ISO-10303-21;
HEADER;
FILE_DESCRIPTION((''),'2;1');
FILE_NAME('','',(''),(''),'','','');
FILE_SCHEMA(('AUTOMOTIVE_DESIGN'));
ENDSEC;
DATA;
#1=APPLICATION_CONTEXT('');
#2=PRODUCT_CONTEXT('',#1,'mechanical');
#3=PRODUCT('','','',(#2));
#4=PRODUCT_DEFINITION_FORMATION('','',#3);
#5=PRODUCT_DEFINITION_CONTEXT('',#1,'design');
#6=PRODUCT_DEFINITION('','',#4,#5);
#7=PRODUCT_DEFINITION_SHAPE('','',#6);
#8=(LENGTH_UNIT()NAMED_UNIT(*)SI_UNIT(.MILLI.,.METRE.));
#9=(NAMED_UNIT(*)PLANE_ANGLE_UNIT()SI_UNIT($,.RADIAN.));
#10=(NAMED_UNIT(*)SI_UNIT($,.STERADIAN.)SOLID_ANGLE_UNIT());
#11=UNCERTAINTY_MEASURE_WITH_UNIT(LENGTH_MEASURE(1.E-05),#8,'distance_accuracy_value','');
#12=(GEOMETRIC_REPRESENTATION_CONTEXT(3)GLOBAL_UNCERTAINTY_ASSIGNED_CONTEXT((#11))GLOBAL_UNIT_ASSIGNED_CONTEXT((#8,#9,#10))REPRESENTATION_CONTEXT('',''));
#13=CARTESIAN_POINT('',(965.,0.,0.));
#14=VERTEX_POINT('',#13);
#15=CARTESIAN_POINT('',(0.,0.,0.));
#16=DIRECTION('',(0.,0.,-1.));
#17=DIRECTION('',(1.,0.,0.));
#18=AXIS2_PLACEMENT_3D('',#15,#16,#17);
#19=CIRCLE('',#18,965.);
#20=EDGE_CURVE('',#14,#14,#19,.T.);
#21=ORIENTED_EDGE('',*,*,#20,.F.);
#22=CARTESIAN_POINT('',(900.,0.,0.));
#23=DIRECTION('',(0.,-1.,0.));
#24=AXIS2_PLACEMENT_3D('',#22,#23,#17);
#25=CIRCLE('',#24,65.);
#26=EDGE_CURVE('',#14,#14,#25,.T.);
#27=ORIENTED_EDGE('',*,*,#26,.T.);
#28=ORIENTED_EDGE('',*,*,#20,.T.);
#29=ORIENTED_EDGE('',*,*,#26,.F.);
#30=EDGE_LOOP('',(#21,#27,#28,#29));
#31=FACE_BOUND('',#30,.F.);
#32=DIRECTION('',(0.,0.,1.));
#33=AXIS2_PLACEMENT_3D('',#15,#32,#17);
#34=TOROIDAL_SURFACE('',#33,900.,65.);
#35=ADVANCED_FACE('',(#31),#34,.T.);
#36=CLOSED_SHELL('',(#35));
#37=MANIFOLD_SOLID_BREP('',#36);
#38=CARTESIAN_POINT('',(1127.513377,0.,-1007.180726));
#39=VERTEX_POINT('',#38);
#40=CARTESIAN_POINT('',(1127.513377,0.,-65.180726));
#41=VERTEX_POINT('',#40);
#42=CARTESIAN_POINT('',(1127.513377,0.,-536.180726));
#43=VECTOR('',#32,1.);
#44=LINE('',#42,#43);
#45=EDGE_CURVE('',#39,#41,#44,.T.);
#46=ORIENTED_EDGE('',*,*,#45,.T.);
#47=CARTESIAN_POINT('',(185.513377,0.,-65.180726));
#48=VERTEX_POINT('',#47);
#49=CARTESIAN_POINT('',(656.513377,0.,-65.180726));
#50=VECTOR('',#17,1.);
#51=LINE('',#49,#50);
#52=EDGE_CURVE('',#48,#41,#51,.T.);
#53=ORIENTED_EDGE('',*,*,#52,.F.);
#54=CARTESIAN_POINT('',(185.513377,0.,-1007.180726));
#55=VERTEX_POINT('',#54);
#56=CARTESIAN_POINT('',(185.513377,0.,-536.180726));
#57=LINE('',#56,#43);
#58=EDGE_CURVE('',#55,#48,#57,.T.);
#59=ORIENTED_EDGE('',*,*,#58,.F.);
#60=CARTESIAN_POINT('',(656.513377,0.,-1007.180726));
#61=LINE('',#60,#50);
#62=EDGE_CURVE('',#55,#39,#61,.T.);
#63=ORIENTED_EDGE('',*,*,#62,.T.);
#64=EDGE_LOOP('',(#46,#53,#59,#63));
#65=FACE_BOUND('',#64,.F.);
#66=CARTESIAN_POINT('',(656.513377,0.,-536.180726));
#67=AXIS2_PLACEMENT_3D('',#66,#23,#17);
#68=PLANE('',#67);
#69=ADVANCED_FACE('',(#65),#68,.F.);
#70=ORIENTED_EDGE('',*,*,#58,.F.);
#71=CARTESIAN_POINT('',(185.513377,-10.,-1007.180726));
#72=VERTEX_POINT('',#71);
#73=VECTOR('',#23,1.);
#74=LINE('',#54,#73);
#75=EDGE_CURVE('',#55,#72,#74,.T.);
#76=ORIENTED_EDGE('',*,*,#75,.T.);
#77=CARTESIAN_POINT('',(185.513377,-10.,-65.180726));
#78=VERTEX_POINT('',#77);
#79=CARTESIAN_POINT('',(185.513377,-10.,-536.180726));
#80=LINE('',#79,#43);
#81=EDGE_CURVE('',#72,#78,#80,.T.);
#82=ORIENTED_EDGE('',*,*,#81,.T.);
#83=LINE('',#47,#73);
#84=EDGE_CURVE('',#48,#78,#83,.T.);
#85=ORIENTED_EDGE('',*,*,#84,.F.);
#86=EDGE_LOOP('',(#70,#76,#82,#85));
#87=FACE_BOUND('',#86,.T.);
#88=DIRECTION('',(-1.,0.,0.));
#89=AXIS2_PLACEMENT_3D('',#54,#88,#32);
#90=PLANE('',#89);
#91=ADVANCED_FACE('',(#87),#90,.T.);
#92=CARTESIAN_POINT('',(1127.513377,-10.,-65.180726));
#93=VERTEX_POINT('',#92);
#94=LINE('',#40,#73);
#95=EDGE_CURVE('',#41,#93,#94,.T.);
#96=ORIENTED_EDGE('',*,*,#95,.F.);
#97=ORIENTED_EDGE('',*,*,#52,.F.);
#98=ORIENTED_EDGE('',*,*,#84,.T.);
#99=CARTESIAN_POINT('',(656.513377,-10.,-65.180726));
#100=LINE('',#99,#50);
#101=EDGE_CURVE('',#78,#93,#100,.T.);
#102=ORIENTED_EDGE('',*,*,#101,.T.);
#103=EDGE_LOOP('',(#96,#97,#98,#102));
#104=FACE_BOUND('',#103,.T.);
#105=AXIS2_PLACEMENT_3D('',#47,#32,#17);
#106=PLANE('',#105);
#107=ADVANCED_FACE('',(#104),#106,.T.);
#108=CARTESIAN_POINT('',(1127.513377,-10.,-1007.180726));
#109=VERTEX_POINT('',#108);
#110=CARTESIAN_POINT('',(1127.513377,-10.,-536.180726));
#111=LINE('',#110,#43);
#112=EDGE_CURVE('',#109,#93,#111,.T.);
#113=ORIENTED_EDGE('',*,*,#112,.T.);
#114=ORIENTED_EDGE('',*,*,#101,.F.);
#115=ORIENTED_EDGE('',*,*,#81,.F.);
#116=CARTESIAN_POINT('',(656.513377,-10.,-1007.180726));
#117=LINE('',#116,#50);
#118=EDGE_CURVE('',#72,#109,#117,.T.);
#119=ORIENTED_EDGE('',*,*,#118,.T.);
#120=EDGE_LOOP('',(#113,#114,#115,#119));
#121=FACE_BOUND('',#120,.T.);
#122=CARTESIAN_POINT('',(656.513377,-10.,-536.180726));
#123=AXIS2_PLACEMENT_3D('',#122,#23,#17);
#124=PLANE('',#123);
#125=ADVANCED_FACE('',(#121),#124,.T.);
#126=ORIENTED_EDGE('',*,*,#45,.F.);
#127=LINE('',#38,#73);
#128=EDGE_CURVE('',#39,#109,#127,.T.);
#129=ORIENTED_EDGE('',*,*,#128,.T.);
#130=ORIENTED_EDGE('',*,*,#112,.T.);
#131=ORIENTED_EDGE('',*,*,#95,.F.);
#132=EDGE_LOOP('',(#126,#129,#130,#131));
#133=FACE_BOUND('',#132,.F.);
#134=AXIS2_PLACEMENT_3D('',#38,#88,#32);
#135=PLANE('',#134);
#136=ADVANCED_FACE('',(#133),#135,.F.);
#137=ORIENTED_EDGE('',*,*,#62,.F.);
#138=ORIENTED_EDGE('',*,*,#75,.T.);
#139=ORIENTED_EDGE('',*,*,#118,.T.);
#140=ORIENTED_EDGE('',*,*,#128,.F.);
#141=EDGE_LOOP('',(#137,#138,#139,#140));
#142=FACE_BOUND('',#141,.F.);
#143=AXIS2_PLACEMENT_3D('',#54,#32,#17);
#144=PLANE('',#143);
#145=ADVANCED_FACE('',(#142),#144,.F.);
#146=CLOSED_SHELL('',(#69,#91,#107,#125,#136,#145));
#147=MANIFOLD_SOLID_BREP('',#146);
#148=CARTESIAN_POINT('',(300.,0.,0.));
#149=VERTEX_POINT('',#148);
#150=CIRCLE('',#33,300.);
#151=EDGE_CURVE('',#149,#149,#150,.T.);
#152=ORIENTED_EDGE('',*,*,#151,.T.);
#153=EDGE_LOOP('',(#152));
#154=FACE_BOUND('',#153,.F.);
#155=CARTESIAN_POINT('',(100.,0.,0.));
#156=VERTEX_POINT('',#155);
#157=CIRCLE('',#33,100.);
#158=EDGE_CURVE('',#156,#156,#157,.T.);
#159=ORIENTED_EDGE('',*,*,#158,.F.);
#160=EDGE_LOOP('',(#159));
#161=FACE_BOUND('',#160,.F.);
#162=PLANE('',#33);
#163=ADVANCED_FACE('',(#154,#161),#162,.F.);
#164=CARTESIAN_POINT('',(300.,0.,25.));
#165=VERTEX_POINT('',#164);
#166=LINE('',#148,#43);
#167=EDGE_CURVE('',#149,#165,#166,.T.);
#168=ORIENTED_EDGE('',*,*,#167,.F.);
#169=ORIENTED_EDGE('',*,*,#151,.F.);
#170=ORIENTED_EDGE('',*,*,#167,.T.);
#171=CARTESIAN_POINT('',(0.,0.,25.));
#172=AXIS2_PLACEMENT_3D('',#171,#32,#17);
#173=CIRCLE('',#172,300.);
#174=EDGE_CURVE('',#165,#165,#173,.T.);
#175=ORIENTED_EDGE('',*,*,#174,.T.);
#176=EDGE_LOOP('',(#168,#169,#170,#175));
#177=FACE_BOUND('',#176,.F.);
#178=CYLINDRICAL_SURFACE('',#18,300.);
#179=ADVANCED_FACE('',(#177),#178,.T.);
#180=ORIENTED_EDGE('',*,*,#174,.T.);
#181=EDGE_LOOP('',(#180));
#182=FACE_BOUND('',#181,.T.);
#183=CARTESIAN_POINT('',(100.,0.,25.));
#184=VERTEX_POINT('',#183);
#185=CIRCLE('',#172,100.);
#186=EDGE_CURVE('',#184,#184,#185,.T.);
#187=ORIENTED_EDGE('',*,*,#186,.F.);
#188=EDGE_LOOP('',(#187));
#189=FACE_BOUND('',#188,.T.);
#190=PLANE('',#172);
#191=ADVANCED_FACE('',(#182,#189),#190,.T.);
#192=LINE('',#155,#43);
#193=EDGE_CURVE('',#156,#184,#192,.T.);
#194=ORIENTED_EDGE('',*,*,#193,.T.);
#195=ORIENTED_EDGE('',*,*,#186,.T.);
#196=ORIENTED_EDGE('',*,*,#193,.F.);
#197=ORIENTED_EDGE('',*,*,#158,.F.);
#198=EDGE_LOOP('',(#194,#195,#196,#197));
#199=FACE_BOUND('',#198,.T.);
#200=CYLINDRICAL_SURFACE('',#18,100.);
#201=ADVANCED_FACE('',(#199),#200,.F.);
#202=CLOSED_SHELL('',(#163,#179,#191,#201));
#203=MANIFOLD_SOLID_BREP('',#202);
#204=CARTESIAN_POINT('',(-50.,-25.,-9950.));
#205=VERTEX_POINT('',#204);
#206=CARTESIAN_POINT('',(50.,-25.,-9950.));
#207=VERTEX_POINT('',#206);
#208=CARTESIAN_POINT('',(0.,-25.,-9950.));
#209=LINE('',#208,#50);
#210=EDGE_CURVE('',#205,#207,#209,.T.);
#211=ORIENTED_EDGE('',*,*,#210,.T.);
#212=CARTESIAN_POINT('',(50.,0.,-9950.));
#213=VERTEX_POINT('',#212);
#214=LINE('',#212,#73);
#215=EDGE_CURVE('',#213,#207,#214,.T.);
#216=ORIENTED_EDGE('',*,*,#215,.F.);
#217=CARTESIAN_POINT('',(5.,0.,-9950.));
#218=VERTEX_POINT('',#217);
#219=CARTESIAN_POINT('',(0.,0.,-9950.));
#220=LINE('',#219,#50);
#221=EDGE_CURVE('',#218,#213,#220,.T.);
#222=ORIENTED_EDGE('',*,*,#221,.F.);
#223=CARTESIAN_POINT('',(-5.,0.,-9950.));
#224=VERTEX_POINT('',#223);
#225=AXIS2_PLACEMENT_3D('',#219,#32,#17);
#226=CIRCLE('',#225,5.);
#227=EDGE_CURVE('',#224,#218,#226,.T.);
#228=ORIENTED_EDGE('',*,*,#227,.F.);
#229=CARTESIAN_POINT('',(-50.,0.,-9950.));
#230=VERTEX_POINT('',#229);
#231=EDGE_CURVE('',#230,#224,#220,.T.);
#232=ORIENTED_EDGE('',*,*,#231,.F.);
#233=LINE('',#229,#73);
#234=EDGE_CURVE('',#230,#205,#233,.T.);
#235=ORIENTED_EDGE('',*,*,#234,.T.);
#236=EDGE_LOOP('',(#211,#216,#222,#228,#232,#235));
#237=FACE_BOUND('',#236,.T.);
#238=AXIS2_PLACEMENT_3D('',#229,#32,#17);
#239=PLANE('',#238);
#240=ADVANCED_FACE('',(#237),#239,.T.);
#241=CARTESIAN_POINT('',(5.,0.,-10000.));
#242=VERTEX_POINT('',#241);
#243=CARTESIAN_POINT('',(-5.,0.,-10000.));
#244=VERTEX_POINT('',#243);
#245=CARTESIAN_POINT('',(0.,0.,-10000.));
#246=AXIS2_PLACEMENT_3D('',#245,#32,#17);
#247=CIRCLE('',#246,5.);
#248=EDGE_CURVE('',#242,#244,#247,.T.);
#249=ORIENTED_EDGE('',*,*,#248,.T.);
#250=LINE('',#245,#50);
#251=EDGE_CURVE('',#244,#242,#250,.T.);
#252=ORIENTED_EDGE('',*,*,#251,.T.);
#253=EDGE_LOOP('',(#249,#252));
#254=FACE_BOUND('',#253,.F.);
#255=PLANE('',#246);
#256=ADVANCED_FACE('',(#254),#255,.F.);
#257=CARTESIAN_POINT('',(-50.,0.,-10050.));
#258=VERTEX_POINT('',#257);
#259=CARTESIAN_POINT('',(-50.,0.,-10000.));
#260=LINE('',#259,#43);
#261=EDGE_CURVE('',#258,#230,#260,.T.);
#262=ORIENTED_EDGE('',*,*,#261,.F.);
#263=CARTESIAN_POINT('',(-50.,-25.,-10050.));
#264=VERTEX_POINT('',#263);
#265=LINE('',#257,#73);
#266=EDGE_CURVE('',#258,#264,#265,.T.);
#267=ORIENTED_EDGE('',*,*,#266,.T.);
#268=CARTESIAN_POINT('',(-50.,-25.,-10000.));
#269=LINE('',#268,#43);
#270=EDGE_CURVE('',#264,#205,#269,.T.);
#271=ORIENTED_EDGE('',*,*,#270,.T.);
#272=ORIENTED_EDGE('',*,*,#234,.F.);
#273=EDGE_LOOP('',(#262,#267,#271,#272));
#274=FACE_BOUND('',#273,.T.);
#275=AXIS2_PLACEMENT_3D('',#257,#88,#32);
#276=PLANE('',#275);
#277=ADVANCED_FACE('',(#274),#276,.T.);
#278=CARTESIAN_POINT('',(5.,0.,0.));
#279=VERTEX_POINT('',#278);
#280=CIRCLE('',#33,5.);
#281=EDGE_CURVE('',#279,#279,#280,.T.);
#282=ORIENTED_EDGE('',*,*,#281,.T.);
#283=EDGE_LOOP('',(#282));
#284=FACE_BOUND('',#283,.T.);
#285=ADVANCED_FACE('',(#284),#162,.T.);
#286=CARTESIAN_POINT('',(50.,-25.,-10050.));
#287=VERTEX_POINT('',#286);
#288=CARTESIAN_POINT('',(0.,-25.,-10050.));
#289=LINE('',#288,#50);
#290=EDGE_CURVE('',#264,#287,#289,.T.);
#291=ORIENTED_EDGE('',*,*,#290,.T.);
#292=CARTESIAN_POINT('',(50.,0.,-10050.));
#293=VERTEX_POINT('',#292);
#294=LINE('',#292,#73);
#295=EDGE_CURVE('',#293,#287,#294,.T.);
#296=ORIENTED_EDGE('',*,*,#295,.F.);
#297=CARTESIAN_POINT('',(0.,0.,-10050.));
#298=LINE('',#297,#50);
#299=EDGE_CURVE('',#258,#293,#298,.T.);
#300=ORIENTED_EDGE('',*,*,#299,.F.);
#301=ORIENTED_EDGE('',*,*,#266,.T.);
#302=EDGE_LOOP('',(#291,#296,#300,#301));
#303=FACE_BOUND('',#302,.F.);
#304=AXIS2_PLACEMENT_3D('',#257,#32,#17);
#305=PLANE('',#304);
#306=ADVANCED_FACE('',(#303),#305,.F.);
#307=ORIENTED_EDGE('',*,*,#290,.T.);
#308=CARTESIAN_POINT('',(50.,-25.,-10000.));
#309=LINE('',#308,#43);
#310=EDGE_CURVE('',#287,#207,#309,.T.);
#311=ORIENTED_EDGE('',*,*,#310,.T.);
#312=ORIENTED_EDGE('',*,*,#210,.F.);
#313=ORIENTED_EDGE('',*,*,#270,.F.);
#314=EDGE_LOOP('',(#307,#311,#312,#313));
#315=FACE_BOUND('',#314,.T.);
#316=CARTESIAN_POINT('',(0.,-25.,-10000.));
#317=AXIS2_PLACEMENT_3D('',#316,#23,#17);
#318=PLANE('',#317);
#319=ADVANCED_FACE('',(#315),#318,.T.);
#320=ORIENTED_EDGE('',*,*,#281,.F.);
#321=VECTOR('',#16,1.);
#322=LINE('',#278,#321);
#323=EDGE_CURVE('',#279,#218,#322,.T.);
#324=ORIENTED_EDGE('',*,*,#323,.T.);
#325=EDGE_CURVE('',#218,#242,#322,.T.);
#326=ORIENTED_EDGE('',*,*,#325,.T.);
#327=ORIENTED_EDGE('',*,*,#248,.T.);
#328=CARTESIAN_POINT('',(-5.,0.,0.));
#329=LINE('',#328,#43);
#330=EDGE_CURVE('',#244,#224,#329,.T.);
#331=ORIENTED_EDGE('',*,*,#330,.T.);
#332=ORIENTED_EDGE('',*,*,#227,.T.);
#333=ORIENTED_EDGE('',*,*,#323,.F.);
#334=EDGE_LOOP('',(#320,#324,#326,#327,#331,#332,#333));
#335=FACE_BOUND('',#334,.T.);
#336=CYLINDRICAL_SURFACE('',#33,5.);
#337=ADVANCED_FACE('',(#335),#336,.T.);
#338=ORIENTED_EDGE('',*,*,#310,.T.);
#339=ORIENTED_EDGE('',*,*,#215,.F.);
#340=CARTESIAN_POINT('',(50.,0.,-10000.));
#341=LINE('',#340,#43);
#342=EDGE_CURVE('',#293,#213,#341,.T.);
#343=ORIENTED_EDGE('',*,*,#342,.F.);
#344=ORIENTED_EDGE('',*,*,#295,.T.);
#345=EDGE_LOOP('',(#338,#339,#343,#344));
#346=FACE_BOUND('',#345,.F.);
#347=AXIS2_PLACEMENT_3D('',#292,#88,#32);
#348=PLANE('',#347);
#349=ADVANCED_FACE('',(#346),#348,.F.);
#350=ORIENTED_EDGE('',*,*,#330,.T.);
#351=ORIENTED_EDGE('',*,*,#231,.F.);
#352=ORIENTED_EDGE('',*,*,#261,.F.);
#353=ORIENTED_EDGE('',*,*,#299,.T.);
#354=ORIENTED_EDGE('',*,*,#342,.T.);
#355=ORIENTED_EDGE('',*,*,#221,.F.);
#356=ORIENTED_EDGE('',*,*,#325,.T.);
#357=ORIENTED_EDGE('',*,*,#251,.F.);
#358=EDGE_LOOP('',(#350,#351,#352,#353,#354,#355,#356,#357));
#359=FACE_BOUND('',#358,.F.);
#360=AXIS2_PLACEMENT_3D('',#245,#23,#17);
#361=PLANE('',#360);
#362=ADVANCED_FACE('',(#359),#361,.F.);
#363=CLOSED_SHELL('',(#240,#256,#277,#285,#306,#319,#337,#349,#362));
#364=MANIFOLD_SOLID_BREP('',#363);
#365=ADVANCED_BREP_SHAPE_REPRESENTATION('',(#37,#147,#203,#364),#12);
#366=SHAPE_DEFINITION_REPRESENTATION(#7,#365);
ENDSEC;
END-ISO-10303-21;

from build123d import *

# Parameters (mm, degrees)
F0_R     = 65
F2_R     = 5
F3_DEPTH = 10000
F4_R     = 300
F4_R_2   = 100
F5_DEPTH = 25
F6_W     = 942
F6_H     = 942
F7_DEPTH = 10
F8_W     = 100
F8_H     = 100
F9_DEPTH = 25


with BuildPart() as f1:
    # F0 (on Front) → F1 (revolve)
    with BuildSketch(Plane.XZ):
        with Locations((900, 0)):
            Circle(F0_R)
    revolve(axis=Axis((0, 0, -222.409502), (0, 0, -1)))


with BuildPart() as f3:
    # F2 (on Top) → F3 (new body)
    with BuildSketch(Plane.XY):
        Circle(F2_R)
    extrude(amount=-F3_DEPTH)

    # F8 (on Front) → F9 (join)
    with BuildSketch(Plane.XZ):
        with Locations((0, -10000)):
            Rectangle(F8_W, F8_H)
    extrude(amount=F9_DEPTH)


with BuildPart() as f5:
    # F4 (on Top) → F5 (new body)
    with BuildSketch(Plane.XY):
        Circle(F4_R)
        Circle(F4_R_2, mode=Mode.SUBTRACT)
    extrude(amount=F5_DEPTH)


with BuildPart() as f7:
    # F6 (on Front) → F7 (new body)
    with BuildSketch(Plane.XZ):
        with Locations((656.513377, -536.180726)):
            Rectangle(F6_W, F6_H)
    extrude(amount=F7_DEPTH)


solid = Compound([f1.part, f3.part, f5.part, f7.part])
